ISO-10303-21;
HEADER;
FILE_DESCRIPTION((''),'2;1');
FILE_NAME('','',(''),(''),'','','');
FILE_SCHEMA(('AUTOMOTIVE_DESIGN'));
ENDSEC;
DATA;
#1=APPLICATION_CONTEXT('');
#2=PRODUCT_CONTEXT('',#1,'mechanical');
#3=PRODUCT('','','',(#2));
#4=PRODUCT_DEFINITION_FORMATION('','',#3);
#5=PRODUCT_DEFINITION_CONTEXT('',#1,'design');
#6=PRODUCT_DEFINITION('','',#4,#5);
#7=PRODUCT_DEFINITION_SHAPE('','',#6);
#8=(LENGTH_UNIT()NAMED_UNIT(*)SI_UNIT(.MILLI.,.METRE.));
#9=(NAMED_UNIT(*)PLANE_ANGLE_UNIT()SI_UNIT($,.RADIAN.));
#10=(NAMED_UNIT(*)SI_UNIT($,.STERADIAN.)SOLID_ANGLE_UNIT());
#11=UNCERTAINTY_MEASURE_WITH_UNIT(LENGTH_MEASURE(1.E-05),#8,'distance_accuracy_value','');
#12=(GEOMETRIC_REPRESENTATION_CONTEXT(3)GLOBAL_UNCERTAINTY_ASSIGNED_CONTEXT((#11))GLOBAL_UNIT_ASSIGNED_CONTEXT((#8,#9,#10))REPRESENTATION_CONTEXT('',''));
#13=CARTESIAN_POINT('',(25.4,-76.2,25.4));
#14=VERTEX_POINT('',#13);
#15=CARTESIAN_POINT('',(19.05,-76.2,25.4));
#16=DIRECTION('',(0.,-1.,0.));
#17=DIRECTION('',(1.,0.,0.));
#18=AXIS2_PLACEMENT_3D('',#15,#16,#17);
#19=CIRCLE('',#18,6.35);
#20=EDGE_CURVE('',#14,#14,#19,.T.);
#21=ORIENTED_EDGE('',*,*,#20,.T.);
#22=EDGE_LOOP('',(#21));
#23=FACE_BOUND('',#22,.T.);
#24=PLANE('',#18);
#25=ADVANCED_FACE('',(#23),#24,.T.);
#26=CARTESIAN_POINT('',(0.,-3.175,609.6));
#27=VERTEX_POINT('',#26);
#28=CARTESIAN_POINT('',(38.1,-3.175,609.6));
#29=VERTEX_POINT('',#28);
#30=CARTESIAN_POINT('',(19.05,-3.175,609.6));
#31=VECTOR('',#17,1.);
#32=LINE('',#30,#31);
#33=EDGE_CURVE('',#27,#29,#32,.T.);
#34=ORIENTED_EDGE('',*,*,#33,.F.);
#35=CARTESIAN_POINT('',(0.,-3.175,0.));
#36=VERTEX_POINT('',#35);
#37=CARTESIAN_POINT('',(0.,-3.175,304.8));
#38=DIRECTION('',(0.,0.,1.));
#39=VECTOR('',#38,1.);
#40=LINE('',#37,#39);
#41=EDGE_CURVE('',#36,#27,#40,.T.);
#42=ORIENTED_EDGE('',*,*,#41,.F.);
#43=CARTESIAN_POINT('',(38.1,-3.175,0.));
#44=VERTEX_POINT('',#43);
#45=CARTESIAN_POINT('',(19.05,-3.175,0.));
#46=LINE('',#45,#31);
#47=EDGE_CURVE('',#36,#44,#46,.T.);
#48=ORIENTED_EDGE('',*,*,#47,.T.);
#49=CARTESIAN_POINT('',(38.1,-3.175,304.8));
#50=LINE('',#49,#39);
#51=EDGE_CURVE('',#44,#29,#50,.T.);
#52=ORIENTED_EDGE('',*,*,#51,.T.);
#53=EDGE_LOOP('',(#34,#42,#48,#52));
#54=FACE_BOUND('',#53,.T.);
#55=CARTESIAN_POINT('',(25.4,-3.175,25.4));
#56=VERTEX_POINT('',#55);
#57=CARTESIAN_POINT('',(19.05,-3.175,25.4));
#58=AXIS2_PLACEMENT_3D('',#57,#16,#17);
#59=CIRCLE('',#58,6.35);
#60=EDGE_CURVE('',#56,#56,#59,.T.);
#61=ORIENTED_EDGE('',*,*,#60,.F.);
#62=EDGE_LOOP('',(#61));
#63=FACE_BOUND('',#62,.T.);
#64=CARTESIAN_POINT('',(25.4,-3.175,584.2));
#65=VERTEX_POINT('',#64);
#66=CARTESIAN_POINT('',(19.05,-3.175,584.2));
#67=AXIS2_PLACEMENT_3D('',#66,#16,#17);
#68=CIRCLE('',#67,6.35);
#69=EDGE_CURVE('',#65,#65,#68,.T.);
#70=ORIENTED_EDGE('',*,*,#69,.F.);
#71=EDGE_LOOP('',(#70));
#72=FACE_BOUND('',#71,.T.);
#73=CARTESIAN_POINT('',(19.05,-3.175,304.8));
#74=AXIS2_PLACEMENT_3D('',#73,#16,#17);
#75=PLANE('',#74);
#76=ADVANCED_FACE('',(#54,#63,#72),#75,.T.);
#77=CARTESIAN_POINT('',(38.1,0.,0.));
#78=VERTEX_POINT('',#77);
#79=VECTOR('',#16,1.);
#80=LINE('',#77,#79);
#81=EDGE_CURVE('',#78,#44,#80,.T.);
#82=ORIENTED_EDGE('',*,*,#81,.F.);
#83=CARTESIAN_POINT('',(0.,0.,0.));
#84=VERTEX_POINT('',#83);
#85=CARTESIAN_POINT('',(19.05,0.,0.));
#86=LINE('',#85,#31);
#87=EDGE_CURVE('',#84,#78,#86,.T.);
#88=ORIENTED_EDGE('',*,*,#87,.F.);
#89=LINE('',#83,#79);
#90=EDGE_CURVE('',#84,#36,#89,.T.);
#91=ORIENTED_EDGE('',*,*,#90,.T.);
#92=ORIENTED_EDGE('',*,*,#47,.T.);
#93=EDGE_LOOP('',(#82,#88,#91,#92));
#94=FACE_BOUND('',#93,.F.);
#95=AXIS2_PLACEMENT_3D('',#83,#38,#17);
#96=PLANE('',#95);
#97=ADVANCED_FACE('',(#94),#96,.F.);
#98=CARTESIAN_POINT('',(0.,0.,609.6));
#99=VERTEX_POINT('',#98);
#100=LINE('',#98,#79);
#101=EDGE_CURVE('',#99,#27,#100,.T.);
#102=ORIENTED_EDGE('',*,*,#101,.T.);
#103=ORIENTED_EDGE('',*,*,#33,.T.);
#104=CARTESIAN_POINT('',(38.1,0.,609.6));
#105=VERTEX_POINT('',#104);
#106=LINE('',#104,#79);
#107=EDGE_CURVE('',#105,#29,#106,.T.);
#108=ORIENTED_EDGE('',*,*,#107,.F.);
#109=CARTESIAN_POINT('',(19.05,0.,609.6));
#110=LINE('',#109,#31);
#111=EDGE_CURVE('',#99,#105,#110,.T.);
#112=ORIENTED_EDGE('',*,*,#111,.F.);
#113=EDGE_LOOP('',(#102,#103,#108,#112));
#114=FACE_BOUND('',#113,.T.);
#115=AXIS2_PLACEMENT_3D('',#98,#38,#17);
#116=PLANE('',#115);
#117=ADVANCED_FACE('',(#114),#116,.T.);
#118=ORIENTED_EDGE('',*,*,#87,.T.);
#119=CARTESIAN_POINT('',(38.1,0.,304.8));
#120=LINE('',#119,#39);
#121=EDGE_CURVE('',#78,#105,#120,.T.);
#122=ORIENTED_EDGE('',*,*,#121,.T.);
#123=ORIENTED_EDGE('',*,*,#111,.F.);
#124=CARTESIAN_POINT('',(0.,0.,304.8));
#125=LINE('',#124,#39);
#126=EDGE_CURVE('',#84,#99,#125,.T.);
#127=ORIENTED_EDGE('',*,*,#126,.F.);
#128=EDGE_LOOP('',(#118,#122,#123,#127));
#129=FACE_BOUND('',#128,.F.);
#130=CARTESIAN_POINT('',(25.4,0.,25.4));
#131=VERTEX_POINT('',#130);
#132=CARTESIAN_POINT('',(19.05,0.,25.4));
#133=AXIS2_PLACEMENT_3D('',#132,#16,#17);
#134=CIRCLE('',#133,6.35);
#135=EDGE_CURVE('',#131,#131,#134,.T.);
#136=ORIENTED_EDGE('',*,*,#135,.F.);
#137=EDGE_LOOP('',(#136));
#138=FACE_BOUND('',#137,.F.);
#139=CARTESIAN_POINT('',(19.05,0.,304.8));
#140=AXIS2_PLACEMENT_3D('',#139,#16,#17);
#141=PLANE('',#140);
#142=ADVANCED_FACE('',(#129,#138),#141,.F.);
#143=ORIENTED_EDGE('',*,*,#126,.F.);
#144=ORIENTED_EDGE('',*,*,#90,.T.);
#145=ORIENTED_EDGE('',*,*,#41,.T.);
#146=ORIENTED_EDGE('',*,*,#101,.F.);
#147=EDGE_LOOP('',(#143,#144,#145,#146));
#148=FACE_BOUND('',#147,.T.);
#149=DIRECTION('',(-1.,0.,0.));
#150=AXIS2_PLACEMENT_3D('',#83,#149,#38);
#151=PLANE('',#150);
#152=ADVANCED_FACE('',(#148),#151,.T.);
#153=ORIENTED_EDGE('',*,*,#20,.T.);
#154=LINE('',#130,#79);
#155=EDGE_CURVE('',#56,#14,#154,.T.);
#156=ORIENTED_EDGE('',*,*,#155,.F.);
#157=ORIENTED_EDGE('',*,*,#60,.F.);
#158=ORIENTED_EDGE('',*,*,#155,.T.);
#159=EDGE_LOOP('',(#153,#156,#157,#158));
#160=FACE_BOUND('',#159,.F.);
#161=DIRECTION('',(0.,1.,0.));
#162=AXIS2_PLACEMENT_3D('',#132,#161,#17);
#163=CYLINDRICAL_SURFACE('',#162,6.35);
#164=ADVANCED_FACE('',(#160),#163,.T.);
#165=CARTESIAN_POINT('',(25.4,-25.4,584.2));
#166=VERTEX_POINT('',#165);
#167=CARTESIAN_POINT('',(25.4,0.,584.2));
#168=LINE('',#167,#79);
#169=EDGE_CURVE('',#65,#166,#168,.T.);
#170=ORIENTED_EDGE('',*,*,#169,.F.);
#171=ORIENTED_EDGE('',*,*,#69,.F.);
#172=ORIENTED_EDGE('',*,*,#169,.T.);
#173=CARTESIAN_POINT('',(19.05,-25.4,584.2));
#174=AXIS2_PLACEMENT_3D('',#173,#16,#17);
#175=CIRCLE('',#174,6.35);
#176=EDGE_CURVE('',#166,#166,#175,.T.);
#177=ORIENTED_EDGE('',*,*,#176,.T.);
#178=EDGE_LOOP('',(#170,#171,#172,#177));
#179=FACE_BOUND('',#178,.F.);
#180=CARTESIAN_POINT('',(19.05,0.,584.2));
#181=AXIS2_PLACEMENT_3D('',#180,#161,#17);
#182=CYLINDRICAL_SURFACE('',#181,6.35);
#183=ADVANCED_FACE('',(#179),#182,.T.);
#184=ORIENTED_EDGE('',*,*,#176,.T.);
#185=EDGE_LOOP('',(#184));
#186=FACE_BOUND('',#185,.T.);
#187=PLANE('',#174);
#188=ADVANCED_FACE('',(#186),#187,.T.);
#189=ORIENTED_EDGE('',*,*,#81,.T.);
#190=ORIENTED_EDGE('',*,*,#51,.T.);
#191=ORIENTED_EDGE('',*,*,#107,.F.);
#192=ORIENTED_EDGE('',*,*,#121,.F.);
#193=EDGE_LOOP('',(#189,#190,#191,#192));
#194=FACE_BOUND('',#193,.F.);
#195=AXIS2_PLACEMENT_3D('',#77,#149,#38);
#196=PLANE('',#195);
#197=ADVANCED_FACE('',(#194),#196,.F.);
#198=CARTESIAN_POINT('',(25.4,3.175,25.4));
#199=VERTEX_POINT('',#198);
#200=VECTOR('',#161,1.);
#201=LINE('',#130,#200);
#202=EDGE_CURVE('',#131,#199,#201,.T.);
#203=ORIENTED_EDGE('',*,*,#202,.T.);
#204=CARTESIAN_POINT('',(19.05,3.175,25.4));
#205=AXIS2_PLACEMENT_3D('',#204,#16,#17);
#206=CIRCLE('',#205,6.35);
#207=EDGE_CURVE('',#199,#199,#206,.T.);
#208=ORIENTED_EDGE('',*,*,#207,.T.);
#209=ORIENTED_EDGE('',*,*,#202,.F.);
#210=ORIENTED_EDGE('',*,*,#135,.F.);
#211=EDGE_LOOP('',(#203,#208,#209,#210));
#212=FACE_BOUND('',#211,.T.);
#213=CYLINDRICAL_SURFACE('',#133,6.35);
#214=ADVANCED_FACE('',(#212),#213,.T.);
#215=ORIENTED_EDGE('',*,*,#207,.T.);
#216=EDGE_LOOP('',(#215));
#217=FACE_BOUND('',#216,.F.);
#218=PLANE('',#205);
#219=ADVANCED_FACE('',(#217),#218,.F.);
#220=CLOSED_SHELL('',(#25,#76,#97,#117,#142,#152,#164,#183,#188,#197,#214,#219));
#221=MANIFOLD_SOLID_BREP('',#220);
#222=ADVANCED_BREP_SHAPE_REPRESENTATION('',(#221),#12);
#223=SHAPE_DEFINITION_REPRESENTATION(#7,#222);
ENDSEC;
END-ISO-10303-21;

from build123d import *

# Parameters (mm, degrees)
F0_W          = 38.1
F0_H          = 609.6
F0_R          = 6.35
F1_DEPTH      = 3.175
F2_DEPTH      = 76.2
F2_DEPTH_BACK = 3.175
F3_DEPTH      = 25.4


with BuildPart() as f1:
    # F0 (on Front) → F1 (new body)
    with BuildSketch(Plane.XZ):
        with Locations((19.05, 304.8)):
            Rectangle(F0_W, F0_H)
        with Locations((19.05, 25.4)):
            Circle(F0_R, mode=Mode.SUBTRACT)
        with Locations((19.05, 584.2)):
            Circle(F0_R, mode=Mode.SUBTRACT)
    extrude(amount=F1_DEPTH)

    # F0 (on Front) → F2 (join, two sides)
    with BuildSketch(Plane.XZ) as f2_sk:
        with Locations((19.05, 25.4)):
            Circle(F0_R)
    extrude(amount=F2_DEPTH)
    extrude(f2_sk.sketch, amount=-F2_DEPTH_BACK)

    # F0 (on Front) → F3 (join)
    with BuildSketch(Plane.XZ):
        with Locations((19.05, 584.2)):
            Circle(F0_R)
    extrude(amount=F3_DEPTH)


solid = f1.part
